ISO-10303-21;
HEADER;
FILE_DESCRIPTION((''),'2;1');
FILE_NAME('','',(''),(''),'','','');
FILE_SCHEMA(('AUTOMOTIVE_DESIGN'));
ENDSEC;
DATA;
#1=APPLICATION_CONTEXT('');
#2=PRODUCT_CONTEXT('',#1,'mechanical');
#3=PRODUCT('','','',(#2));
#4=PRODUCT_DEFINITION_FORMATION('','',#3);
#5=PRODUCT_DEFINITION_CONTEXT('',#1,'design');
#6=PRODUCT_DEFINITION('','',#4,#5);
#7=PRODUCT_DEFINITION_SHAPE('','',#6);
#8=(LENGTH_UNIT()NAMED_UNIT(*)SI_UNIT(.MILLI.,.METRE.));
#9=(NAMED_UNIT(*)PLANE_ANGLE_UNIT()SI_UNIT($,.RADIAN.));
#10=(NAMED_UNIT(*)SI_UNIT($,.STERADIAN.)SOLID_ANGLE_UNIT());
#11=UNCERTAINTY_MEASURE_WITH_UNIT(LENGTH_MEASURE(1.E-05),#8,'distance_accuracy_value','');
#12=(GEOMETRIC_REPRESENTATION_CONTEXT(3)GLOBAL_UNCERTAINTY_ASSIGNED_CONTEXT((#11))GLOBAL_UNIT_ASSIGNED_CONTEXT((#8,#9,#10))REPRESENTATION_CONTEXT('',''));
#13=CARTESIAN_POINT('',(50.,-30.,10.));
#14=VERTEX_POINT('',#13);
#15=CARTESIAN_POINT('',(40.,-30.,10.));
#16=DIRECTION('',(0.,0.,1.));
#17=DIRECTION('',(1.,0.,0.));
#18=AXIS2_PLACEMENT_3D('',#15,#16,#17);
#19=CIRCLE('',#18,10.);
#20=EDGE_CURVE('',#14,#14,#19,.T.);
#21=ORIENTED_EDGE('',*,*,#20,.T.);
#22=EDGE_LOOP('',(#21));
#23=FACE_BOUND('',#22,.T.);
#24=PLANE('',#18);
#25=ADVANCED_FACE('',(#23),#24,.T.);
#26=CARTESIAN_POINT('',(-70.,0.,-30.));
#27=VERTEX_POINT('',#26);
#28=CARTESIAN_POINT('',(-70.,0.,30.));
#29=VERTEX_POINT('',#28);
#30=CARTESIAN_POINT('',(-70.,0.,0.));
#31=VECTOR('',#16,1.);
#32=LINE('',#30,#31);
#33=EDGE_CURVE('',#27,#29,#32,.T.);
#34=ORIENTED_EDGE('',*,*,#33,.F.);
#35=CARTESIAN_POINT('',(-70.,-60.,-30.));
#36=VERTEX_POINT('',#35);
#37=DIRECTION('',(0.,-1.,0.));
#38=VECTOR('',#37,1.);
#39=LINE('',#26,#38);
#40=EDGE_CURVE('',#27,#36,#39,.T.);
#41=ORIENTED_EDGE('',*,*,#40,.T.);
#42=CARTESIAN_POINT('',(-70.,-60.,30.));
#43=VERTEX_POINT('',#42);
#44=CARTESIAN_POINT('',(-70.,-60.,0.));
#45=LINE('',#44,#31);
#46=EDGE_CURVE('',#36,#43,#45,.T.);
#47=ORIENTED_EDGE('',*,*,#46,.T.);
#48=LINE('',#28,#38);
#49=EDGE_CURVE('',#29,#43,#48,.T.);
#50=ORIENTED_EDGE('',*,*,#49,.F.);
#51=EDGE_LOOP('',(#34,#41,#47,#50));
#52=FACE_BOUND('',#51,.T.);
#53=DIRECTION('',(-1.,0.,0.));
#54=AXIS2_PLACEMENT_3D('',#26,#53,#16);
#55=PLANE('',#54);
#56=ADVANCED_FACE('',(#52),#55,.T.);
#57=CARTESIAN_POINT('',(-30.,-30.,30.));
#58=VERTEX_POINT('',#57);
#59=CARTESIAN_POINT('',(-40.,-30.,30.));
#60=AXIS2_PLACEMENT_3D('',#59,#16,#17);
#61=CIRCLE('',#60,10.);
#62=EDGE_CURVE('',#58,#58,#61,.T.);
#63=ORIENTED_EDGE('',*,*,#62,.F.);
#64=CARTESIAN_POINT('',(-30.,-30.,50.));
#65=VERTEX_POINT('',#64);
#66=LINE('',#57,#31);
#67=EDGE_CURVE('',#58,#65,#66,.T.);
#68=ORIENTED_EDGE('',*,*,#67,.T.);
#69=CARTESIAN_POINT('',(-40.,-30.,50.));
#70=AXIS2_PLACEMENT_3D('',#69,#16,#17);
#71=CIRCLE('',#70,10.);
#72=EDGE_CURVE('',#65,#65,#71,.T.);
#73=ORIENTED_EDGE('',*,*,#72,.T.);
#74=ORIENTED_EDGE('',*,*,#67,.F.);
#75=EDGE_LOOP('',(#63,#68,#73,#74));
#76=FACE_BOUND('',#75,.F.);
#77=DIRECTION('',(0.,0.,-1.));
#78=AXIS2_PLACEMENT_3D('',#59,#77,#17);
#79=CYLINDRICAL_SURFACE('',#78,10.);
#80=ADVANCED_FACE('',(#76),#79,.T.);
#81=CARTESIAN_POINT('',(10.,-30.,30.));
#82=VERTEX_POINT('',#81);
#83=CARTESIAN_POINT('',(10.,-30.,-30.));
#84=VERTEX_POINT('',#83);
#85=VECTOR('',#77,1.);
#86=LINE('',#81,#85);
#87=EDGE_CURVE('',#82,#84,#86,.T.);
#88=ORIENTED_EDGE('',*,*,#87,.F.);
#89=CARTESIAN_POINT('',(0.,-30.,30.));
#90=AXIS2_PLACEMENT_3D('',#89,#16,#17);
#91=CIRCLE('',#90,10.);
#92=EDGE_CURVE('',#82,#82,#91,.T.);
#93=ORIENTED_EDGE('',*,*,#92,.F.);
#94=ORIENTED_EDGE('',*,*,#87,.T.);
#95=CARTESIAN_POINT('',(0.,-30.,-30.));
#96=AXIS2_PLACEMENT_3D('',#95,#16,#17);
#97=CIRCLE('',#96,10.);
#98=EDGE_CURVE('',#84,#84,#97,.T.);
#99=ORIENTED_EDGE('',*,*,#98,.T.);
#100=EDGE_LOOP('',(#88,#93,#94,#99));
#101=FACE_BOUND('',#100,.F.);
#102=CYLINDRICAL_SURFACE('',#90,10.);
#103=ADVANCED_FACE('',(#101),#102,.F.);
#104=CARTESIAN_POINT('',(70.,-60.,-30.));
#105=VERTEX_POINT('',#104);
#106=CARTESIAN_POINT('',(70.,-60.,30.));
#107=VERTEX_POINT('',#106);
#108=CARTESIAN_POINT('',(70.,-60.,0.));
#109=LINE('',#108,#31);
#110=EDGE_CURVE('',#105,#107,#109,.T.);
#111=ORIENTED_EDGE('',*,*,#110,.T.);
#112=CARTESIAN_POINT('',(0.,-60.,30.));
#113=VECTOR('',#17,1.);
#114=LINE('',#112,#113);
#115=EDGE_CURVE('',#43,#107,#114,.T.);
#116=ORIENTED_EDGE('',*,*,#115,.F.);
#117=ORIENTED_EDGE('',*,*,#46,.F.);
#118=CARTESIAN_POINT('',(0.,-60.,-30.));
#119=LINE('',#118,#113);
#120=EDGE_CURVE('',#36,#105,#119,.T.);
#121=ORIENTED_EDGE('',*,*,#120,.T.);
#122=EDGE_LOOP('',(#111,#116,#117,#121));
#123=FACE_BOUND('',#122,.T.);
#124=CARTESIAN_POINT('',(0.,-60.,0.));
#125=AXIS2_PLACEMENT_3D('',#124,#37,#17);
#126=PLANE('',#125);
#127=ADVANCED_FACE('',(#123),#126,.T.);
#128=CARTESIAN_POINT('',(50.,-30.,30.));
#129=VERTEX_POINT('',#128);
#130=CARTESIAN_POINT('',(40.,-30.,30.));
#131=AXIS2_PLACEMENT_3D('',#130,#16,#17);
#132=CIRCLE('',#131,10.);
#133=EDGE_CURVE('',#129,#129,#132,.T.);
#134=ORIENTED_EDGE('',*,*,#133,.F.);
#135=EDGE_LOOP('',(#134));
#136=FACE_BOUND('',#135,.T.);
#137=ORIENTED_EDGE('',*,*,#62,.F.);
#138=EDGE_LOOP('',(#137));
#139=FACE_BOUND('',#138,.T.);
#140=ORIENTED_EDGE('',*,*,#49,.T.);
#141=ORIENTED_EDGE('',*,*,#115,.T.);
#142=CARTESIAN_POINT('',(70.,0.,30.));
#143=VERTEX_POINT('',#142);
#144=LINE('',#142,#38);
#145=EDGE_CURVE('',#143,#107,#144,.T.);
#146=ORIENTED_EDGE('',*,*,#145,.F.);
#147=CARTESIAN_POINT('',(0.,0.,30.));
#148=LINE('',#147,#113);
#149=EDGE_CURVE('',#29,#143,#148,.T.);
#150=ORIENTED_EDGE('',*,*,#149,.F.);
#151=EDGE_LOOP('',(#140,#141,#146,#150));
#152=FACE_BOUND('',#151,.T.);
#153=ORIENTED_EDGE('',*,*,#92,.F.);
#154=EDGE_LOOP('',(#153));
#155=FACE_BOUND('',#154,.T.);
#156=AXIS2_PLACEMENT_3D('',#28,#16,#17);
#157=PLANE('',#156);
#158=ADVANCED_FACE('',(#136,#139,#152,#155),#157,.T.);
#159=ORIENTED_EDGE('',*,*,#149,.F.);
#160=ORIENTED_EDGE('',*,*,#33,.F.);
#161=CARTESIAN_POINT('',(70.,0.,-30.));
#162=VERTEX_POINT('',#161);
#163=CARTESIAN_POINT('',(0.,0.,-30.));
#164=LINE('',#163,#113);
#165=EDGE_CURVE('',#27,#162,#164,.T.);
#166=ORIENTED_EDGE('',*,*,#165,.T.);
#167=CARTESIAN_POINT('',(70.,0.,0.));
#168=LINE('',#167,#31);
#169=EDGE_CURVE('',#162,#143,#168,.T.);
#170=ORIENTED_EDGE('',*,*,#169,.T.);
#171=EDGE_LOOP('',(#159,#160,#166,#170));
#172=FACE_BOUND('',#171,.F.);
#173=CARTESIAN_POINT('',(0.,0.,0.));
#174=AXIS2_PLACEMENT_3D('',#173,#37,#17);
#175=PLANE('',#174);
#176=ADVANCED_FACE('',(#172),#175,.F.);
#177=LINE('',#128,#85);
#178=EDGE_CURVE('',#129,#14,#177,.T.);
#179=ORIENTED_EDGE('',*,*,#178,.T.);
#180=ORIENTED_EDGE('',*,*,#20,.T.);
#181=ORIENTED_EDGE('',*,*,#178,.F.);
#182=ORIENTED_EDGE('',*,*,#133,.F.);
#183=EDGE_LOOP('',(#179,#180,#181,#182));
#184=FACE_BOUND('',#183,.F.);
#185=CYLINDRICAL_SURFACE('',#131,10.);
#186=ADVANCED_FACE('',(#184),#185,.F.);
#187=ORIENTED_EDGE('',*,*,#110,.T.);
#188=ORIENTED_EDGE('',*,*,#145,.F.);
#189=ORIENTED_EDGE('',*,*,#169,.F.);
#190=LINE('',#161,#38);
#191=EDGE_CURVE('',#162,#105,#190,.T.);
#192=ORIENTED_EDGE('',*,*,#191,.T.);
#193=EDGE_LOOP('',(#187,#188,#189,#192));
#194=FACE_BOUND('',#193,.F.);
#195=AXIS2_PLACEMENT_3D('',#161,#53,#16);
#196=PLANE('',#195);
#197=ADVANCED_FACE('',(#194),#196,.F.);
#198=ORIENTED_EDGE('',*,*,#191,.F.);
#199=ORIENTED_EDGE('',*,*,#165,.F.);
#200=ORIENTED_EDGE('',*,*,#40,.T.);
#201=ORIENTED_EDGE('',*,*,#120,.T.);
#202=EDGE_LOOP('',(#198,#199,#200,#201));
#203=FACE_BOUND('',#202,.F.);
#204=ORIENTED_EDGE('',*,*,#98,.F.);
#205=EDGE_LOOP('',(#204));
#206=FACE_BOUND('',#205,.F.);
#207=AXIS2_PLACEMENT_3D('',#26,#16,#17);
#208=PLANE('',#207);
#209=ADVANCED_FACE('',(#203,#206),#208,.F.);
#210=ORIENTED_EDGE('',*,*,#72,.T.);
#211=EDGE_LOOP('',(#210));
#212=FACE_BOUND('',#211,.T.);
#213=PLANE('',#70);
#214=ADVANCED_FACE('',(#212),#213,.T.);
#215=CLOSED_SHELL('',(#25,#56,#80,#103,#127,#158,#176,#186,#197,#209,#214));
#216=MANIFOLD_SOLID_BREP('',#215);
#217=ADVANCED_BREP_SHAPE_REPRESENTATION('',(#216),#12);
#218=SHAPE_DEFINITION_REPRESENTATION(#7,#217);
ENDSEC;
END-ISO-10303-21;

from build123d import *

# Parameters (mm, degrees)
F0_W     = 140
F0_H     = 60
F1_DEPTH = 60
F2_R     = 10
F3_DEPTH = 20
F4_R     = 10
F5_DEPTH = 65
F6_R     = 10
F7_DEPTH = 20


with BuildPart() as f1:
    # F0 (on Front) → F1 (new body)
    with BuildSketch(Plane.XZ):
        Rectangle(F0_W, F0_H)
    extrude(amount=F1_DEPTH)

    # F2 (on face) → F3 (join)
    with BuildSketch(Plane.XY.offset(30)):
        with Locations((-40, -30)):
            Circle(F2_R)
    extrude(amount=F3_DEPTH)

    # F4 (on face) → F5 (cut)
    with BuildSketch(Plane.XY.offset(30)):
        with Locations((0, -30)):
            Circle(F4_R)
    extrude(amount=-F5_DEPTH, mode=Mode.SUBTRACT)

    # F6 (on face) → F7 (cut)
    with BuildSketch(Plane.XY.offset(30)):
        with Locations((40, -30)):
            Circle(F6_R)
    extrude(amount=-F7_DEPTH, mode=Mode.SUBTRACT)


solid = f1.part
